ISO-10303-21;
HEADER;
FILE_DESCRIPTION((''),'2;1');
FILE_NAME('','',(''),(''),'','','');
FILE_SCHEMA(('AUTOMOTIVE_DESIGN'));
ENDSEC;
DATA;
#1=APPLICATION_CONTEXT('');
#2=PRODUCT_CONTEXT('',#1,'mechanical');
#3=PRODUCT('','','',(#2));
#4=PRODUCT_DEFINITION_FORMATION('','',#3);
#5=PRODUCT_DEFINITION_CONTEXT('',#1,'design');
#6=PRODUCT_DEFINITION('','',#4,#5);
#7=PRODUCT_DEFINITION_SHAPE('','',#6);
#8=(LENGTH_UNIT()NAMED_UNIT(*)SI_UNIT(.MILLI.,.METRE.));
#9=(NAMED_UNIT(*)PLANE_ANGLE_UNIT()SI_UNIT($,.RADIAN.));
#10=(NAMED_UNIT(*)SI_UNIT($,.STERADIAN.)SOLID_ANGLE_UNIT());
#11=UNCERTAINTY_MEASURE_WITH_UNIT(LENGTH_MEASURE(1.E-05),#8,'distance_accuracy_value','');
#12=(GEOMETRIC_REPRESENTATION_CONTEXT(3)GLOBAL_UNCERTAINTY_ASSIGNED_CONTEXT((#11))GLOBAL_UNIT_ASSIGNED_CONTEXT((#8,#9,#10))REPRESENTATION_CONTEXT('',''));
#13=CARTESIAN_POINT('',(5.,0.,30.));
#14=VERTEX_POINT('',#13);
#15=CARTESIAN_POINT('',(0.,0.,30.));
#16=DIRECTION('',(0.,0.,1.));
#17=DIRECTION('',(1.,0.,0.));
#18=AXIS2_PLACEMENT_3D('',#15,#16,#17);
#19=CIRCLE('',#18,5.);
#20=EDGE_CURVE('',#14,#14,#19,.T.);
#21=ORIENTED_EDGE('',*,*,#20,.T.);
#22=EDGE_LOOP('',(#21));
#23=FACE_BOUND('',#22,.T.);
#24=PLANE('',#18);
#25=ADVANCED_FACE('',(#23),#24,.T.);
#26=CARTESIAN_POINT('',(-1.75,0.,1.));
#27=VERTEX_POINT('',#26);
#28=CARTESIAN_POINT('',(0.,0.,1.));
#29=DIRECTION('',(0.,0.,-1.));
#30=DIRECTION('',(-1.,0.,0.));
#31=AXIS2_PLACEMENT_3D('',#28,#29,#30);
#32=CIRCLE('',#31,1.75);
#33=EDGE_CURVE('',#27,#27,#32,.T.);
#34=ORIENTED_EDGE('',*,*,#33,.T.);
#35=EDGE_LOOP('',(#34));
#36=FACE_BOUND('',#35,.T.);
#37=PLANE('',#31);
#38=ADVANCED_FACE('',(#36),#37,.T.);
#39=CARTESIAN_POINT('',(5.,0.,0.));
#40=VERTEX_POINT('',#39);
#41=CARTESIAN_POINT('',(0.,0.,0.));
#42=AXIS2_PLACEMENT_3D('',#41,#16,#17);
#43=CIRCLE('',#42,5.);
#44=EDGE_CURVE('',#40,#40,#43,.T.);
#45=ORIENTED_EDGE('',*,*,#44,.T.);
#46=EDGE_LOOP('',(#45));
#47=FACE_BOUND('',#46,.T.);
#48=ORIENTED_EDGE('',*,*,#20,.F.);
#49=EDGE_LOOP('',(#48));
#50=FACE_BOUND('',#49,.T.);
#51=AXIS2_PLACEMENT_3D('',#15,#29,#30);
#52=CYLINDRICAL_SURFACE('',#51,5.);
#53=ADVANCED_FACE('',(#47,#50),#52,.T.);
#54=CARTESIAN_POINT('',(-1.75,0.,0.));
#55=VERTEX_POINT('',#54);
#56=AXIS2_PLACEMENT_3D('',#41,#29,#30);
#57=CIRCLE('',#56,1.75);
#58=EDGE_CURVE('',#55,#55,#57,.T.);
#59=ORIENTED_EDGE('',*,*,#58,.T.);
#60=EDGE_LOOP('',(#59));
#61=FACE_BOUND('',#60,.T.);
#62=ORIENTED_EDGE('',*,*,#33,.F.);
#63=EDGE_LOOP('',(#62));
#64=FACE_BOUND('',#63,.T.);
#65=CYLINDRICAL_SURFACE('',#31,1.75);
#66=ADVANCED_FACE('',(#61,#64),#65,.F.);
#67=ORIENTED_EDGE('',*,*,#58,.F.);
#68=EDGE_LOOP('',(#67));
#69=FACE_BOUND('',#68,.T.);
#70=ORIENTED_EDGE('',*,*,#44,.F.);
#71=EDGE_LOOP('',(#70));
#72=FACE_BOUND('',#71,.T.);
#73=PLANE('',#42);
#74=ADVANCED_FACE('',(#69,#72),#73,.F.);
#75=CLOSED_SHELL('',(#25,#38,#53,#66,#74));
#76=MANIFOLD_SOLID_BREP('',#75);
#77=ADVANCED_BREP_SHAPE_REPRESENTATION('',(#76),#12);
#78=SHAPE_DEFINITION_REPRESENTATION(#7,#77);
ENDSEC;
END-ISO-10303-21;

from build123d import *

# Parameters (mm, degrees)
SKETCH1_R           = 5
BOSS_EXTRUDE1_DEPTH = 30
SKETCH2_R           = 1.75
CUT_EXTRUDE1_DEPTH  = 1


with BuildPart() as part:
    # Sketch1 → Boss-Extrude1 (new body)
    with BuildSketch(Plane.XY):
        Circle(SKETCH1_R)
    extrude(amount=BOSS_EXTRUDE1_DEPTH)

    # Sketch2 → Cut-Extrude1 (cut)
    with BuildSketch(Plane(origin=(0, 0, 0), x_dir=(-1, 0, 0), z_dir=(0, 0, -1))):
        Circle(SKETCH2_R)
    extrude(amount=-CUT_EXTRUDE1_DEPTH, mode=Mode.SUBTRACT)


solid = part.part
